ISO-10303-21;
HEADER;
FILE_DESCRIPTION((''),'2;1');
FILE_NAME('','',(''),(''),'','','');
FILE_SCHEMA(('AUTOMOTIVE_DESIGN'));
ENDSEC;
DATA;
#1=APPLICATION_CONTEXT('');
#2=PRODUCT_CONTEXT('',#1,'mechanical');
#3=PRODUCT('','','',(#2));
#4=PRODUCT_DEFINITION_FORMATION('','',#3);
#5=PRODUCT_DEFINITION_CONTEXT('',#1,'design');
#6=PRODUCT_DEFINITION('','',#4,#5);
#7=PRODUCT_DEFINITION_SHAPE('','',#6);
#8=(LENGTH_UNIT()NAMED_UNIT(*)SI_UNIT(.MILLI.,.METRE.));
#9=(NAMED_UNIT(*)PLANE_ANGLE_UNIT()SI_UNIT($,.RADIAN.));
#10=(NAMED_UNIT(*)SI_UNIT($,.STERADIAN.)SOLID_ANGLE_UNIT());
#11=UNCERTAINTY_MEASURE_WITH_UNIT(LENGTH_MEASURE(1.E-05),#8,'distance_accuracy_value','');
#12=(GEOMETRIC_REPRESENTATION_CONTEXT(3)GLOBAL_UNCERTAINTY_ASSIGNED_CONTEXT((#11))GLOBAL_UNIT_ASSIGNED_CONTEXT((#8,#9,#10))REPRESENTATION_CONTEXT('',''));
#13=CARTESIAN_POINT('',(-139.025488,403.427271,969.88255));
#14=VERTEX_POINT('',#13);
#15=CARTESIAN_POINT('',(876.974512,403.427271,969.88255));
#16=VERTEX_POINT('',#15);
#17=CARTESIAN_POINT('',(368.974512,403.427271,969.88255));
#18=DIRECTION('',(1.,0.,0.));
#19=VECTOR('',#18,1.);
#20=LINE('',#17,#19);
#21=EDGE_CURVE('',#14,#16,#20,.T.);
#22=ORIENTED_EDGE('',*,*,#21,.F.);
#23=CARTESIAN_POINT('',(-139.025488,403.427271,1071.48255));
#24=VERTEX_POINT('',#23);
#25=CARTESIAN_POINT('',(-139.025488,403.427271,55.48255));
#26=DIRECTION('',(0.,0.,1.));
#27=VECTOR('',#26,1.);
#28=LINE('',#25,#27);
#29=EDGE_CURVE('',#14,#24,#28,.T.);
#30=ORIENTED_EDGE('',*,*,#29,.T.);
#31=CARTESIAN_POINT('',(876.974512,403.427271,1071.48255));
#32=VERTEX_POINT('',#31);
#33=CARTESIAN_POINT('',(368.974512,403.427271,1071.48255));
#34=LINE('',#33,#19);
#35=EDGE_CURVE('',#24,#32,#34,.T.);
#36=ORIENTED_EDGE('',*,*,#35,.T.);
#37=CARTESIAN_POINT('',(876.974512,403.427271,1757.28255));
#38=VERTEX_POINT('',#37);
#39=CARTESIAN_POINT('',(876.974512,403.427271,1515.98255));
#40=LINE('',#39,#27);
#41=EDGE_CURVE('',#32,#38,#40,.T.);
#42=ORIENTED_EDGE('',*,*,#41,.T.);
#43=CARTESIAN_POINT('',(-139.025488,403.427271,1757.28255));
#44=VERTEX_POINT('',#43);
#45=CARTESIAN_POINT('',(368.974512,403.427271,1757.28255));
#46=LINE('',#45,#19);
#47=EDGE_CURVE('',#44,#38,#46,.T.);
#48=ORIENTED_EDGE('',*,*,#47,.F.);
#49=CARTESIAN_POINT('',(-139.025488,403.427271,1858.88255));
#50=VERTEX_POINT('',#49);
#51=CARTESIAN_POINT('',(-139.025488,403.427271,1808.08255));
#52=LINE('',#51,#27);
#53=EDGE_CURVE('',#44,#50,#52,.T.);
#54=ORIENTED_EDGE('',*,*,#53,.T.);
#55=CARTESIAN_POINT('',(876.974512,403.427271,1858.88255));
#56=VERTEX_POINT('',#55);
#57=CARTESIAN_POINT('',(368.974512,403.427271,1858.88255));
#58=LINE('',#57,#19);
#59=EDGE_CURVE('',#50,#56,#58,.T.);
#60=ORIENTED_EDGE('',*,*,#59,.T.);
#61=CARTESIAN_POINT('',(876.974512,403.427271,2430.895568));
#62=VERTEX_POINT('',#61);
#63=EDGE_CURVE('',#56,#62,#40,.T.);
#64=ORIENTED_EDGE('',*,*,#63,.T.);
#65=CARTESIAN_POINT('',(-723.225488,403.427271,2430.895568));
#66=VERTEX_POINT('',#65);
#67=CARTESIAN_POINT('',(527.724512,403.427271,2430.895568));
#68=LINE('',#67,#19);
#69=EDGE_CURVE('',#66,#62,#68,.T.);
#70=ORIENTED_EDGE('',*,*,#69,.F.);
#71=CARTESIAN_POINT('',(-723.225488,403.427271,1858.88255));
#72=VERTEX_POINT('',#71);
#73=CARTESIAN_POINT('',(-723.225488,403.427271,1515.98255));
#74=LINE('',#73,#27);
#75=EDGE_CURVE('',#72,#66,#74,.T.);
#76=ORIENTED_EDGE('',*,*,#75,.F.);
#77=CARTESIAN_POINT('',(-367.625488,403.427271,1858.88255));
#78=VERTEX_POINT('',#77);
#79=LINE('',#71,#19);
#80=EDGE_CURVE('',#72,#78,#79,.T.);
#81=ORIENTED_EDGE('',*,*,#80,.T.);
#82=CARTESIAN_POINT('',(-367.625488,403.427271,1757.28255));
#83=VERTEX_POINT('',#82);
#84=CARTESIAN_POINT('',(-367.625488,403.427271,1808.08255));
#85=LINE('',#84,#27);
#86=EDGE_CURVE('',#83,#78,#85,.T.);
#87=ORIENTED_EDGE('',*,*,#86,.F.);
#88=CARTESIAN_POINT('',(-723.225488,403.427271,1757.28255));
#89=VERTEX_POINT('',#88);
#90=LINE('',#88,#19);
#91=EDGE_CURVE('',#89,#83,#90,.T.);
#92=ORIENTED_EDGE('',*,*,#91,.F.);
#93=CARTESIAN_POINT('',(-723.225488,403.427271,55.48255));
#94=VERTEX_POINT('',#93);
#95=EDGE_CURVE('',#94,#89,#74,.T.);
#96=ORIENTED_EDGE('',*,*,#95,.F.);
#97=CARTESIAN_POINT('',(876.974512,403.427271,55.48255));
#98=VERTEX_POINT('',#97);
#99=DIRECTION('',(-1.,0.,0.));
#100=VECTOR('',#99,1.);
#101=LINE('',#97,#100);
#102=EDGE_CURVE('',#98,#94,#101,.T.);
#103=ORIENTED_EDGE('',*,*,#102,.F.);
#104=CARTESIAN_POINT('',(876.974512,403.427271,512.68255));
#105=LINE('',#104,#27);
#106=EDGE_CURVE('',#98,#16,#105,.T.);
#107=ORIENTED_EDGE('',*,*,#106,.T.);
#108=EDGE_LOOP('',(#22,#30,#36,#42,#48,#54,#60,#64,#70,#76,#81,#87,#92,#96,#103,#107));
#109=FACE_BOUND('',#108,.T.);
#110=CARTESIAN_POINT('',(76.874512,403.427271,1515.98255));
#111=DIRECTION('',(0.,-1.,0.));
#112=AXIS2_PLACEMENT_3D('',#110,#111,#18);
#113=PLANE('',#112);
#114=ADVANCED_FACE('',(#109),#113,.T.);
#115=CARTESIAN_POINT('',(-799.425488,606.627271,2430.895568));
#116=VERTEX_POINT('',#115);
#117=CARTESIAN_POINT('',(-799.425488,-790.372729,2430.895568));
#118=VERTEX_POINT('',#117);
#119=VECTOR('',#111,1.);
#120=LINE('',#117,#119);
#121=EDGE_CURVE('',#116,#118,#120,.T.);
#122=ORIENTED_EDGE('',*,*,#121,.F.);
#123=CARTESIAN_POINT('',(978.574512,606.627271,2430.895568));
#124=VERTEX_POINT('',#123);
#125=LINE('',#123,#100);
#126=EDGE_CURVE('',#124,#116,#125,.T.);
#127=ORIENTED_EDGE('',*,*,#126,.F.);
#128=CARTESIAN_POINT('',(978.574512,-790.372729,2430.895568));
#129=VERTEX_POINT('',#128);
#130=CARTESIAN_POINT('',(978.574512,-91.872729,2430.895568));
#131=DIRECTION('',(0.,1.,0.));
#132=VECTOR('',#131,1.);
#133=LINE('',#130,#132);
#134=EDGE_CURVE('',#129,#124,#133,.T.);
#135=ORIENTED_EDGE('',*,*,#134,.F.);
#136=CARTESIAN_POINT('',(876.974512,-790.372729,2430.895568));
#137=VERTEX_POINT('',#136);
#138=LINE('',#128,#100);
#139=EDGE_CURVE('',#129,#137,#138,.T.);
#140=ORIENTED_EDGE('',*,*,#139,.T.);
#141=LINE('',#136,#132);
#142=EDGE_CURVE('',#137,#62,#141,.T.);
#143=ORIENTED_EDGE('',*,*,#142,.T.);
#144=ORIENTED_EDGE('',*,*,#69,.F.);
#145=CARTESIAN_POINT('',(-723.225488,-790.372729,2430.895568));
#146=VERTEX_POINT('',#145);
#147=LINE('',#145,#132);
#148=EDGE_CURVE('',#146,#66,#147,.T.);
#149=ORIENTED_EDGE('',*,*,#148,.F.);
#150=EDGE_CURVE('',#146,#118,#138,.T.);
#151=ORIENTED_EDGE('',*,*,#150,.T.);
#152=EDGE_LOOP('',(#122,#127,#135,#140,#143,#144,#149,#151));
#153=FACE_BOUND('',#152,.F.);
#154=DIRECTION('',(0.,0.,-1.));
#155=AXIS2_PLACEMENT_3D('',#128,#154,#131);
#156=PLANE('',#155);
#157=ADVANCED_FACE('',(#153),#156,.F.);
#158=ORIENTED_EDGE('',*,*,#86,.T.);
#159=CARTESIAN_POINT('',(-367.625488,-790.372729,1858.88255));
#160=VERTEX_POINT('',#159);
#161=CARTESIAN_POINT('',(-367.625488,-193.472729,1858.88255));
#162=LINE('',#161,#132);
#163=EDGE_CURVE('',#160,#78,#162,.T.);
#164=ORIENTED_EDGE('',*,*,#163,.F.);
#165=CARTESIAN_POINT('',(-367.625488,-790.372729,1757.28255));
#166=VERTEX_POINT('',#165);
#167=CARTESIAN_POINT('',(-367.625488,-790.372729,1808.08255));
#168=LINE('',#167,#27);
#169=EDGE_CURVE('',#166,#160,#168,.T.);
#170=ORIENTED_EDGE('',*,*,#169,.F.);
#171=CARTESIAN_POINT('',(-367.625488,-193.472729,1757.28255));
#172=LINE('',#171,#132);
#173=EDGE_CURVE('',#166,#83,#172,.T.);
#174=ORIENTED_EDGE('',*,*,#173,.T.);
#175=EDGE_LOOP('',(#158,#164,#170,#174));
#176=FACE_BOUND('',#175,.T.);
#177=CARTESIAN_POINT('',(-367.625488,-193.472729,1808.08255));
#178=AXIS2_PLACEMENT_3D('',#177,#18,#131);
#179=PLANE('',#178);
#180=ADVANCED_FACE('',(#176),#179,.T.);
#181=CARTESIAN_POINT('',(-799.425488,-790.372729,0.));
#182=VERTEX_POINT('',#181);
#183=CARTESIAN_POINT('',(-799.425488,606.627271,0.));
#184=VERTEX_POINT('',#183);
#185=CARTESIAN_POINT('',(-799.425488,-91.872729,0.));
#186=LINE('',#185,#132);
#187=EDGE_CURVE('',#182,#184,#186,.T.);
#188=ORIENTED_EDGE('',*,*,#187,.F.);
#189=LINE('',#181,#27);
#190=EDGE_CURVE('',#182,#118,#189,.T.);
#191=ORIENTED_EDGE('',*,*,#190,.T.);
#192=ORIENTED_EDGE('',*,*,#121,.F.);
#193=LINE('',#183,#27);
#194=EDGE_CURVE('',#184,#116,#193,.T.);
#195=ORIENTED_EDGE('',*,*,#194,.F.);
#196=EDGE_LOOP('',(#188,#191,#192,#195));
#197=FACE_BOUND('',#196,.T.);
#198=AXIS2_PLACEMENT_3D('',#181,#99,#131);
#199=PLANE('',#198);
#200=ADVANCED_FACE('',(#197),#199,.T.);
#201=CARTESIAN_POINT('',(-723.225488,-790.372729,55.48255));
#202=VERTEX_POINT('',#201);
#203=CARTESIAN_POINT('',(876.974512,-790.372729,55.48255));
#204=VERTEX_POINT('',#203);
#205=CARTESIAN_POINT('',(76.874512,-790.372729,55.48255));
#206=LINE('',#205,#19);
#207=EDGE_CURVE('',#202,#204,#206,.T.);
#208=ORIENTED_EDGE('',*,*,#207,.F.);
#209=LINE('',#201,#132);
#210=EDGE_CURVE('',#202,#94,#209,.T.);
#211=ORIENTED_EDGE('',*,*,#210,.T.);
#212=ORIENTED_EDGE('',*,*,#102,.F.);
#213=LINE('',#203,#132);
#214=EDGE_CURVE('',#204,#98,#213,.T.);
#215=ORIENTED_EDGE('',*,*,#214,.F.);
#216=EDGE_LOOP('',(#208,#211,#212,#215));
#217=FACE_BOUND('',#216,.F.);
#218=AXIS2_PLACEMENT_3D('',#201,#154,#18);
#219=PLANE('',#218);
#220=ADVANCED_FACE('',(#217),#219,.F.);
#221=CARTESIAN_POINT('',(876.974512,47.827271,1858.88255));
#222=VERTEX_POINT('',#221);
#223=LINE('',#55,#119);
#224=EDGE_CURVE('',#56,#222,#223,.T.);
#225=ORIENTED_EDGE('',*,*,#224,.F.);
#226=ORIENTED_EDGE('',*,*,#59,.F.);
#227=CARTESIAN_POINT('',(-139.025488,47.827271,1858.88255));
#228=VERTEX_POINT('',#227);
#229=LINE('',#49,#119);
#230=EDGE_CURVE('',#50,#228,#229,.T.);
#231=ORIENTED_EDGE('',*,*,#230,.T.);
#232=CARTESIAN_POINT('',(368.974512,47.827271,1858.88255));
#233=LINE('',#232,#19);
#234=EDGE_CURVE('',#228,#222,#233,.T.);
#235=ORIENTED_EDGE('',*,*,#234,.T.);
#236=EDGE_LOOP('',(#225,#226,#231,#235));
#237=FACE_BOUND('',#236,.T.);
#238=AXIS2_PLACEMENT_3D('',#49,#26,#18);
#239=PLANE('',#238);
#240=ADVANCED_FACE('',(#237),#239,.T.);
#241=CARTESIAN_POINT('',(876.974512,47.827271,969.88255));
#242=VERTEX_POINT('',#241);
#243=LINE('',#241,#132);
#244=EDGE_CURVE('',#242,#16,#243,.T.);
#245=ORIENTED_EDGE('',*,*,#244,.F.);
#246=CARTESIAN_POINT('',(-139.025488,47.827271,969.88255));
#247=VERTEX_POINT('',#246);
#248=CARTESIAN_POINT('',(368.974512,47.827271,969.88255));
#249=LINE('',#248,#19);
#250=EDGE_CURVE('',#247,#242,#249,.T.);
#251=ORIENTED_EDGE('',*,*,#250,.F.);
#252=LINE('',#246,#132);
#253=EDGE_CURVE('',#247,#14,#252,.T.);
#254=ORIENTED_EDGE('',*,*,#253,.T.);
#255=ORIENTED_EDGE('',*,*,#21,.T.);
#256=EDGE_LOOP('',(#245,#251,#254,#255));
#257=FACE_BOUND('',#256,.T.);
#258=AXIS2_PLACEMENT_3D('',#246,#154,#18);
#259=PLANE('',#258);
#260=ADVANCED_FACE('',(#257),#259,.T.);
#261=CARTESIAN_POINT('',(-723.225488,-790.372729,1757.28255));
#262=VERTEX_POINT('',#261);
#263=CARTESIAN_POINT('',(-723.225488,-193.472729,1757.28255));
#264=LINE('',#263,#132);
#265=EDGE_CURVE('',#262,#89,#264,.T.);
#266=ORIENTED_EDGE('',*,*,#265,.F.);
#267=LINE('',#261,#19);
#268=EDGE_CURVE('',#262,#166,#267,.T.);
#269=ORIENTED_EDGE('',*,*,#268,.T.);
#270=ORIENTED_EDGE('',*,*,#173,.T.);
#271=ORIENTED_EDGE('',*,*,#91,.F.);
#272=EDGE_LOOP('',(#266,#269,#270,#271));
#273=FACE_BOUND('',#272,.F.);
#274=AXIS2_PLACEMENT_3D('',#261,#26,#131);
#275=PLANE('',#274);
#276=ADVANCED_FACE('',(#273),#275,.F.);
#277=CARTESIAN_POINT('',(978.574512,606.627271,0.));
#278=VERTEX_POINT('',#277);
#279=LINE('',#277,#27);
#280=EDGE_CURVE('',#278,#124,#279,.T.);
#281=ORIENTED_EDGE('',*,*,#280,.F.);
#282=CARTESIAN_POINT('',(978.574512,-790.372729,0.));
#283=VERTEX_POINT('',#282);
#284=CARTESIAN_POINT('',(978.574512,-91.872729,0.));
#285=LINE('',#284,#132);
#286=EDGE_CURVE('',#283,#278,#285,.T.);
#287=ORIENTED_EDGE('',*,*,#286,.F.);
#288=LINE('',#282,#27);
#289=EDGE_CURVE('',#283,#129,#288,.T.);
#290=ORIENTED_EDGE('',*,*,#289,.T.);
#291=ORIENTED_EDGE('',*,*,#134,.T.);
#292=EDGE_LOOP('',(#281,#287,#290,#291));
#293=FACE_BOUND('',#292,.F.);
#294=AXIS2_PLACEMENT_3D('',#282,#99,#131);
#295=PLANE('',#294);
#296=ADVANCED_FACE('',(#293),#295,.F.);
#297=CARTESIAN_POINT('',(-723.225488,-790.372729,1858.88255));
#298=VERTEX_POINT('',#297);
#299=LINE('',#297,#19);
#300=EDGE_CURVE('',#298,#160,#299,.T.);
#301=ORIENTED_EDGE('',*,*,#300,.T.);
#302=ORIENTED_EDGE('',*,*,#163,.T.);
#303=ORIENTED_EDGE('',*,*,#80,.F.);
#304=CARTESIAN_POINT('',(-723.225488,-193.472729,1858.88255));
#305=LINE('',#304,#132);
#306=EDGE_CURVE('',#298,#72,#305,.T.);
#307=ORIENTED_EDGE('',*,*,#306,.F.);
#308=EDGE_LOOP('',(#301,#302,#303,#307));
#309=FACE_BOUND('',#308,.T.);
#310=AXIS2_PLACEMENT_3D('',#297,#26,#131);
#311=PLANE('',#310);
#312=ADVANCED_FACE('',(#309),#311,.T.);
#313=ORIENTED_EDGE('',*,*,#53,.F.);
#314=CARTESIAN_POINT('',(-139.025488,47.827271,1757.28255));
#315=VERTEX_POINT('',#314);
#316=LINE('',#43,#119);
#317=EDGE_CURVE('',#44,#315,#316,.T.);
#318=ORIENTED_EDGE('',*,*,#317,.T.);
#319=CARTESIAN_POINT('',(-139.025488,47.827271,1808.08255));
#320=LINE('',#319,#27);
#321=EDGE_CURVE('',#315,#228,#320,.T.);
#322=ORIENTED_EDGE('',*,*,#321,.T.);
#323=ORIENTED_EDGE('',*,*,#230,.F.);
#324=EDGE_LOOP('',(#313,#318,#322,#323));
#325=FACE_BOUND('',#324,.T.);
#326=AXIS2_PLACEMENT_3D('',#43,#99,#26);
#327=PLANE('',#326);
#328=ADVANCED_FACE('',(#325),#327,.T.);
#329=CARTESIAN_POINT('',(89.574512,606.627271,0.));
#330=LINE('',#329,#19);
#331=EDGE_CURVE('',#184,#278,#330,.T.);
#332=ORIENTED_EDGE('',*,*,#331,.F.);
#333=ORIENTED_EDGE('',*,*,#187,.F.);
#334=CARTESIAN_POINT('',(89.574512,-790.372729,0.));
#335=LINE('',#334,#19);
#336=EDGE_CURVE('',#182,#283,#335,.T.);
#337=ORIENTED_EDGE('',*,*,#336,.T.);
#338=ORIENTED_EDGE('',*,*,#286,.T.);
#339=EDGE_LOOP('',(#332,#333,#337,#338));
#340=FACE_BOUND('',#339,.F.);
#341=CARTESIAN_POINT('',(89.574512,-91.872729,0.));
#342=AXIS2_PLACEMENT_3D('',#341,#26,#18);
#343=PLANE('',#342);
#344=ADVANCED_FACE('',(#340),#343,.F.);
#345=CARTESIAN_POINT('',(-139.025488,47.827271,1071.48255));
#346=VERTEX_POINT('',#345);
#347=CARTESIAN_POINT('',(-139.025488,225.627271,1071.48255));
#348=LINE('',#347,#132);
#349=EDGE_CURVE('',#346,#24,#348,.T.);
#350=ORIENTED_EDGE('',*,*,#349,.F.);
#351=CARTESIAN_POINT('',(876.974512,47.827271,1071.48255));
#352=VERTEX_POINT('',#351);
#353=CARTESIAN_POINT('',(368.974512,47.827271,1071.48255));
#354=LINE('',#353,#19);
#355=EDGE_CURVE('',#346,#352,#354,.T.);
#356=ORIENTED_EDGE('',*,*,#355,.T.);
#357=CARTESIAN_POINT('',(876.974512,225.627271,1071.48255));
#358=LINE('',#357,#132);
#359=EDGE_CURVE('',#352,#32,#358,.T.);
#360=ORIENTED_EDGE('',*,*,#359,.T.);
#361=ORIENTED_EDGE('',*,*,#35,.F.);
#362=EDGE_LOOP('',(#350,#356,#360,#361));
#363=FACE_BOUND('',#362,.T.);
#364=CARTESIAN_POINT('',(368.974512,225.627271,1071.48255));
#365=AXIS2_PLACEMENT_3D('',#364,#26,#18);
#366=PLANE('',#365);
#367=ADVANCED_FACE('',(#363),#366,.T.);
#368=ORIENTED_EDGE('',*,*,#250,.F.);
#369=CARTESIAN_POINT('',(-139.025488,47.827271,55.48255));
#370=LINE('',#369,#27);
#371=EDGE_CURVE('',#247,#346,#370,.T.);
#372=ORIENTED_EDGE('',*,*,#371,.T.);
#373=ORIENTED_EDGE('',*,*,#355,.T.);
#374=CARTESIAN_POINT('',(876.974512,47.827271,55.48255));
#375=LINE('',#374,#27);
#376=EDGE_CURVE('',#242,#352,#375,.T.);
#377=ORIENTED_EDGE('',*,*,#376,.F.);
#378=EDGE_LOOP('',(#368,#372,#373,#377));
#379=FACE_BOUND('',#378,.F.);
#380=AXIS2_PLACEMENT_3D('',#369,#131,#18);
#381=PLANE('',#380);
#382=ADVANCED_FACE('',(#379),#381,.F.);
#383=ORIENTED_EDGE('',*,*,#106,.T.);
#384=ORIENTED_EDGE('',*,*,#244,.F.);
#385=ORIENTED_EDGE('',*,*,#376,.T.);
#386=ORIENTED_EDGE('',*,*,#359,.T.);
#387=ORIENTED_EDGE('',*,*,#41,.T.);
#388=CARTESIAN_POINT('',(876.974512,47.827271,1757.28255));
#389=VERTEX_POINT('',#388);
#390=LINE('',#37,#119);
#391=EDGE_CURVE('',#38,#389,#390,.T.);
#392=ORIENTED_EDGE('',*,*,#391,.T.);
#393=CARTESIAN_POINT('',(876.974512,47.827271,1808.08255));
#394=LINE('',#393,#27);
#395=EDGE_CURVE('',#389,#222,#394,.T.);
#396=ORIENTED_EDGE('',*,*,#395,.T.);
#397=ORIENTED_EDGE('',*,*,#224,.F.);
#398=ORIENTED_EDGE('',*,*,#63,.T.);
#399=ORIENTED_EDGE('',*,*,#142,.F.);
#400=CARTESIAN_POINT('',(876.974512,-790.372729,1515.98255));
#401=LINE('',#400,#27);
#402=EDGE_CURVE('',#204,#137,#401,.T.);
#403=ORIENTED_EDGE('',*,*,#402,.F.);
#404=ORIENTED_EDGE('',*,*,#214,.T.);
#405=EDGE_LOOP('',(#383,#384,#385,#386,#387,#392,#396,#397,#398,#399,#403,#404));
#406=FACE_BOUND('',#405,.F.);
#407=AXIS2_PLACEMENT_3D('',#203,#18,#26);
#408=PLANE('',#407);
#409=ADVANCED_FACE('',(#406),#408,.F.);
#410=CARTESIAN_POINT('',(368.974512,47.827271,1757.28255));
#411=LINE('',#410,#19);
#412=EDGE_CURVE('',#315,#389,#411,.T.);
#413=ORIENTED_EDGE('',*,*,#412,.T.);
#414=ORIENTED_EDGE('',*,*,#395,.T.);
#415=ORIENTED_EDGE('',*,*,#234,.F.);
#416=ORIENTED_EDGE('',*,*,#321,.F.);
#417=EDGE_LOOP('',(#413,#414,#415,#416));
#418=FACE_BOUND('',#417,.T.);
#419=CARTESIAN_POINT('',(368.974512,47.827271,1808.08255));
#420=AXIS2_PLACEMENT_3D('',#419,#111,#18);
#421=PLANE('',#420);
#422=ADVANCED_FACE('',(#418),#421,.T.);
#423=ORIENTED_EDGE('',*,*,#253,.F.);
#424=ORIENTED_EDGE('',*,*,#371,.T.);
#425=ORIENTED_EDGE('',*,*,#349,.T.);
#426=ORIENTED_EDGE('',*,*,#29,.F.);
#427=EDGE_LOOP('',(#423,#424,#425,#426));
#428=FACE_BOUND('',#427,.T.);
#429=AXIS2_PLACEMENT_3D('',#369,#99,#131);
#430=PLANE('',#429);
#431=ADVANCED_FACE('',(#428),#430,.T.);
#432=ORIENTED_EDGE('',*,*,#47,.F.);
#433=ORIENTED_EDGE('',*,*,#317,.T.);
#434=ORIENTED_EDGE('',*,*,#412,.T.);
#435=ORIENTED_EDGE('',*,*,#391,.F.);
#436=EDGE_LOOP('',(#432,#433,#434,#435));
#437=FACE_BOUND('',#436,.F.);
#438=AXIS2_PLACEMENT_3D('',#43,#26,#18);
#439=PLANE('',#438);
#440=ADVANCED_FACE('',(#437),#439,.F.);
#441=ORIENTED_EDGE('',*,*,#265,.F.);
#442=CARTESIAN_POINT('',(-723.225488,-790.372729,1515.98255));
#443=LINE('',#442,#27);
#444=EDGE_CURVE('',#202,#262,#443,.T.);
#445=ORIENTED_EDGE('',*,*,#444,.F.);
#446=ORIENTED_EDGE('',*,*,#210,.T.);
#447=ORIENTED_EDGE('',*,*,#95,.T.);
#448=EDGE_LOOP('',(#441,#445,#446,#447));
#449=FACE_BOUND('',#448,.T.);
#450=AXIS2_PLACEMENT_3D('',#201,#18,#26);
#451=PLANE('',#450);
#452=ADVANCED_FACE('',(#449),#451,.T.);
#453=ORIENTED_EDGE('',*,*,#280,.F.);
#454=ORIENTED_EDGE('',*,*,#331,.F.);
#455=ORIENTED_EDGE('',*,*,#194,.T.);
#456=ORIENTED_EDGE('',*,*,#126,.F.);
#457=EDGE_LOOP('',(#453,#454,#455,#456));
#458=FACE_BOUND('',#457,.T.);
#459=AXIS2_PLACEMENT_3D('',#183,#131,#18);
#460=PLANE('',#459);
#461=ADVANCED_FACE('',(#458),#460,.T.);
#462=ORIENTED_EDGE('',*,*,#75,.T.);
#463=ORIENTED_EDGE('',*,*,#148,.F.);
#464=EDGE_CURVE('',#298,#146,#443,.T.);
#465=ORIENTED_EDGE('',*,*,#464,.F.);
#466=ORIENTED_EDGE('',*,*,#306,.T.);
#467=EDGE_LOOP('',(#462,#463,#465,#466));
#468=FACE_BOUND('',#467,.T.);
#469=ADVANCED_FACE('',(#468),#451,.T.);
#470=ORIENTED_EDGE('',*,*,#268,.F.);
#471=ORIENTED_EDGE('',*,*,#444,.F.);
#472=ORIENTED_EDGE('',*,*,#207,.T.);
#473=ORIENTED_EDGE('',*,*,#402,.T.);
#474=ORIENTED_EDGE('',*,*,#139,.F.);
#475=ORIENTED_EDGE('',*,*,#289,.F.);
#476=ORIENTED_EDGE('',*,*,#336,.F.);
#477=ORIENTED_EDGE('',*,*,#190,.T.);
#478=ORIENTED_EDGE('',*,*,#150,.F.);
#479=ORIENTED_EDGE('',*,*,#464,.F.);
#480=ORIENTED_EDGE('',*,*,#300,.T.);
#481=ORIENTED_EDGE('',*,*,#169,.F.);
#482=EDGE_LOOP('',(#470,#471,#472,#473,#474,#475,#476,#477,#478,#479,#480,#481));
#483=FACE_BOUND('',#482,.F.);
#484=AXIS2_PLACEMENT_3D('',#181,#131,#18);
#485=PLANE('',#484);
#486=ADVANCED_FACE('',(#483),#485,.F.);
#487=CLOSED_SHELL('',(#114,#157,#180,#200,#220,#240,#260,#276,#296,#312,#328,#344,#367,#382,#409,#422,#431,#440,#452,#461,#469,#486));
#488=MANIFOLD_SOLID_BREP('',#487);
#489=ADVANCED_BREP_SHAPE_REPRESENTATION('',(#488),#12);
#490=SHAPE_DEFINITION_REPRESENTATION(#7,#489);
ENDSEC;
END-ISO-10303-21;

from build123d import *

# Parameters (mm, degrees)
F0_W      = 1778
F0_H      = 1397
F1_DEPTH  = 2976.48255
F2_W      = 1600.2
F2_H      = 2921
F3_DEPTH  = 1193.8
F4_W      = 1016
F4_H      = 355.6
F5_DEPTH  = 1016
F6_W      = 1016
F6_H      = 914.4
F7_DEPTH  = 355.6
F8_W      = 1193.8
F8_H      = 101.6
F9_DEPTH  = 355.6
F10_W     = 1016
F10_H     = 101.6
F11_DEPTH = 355.6
F12_W     = 1397
F12_H     = 545.586983
F13_DEPTH = 2540


with BuildPart() as f1:
    # F0 (on Top) → F1 (new body)
    with BuildSketch(Plane.XY):
        with Locations((89.574512, -91.872729)):
            Rectangle(F0_W, F0_H)
    extrude(amount=F1_DEPTH)

    # F2 (on face) → F3 (cut)
    with BuildSketch(Plane.XZ.offset(790.372729)):
        with Locations((76.874512, 1515.98255)):
            Rectangle(F2_W, F2_H)
    extrude(amount=-F3_DEPTH, mode=Mode.SUBTRACT)

    # F4 (on face) → F5 (join)
    with BuildSketch(Plane.XY.offset(55.48255)):
        with Locations((368.974512, 225.627271)):
            Rectangle(F4_W, F4_H)
    extrude(amount=F5_DEPTH)

    # F6 (on face) → F7 (cut)
    with BuildSketch(Plane.XZ.offset(-47.827271)):
        with Locations((368.974512, 512.68255)):
            Rectangle(F6_W, F6_H)
    extrude(amount=-F7_DEPTH, mode=Mode.SUBTRACT)

    # F8 (on face) → F9 (join)
    with BuildSketch(Plane.YZ.offset(-723.225488)):
        with Locations((-193.472729, 1808.08255)):
            Rectangle(F8_W, F8_H)
    extrude(amount=F9_DEPTH)

    # F10 (on face) → F11 (join)
    with BuildSketch(Plane.XZ.offset(-403.427271)):
        with Locations((368.974512, 1808.08255)):
            Rectangle(F10_W, F10_H)
    extrude(amount=F11_DEPTH)

    # F12 (on face) → F13 (cut)
    with BuildSketch(Plane.YZ.offset(978.574512)):
        with Locations((-91.872729, 2703.689059)):
            Rectangle(F12_W, F12_H)
    extrude(amount=-F13_DEPTH, mode=Mode.SUBTRACT)


solid = f1.part
